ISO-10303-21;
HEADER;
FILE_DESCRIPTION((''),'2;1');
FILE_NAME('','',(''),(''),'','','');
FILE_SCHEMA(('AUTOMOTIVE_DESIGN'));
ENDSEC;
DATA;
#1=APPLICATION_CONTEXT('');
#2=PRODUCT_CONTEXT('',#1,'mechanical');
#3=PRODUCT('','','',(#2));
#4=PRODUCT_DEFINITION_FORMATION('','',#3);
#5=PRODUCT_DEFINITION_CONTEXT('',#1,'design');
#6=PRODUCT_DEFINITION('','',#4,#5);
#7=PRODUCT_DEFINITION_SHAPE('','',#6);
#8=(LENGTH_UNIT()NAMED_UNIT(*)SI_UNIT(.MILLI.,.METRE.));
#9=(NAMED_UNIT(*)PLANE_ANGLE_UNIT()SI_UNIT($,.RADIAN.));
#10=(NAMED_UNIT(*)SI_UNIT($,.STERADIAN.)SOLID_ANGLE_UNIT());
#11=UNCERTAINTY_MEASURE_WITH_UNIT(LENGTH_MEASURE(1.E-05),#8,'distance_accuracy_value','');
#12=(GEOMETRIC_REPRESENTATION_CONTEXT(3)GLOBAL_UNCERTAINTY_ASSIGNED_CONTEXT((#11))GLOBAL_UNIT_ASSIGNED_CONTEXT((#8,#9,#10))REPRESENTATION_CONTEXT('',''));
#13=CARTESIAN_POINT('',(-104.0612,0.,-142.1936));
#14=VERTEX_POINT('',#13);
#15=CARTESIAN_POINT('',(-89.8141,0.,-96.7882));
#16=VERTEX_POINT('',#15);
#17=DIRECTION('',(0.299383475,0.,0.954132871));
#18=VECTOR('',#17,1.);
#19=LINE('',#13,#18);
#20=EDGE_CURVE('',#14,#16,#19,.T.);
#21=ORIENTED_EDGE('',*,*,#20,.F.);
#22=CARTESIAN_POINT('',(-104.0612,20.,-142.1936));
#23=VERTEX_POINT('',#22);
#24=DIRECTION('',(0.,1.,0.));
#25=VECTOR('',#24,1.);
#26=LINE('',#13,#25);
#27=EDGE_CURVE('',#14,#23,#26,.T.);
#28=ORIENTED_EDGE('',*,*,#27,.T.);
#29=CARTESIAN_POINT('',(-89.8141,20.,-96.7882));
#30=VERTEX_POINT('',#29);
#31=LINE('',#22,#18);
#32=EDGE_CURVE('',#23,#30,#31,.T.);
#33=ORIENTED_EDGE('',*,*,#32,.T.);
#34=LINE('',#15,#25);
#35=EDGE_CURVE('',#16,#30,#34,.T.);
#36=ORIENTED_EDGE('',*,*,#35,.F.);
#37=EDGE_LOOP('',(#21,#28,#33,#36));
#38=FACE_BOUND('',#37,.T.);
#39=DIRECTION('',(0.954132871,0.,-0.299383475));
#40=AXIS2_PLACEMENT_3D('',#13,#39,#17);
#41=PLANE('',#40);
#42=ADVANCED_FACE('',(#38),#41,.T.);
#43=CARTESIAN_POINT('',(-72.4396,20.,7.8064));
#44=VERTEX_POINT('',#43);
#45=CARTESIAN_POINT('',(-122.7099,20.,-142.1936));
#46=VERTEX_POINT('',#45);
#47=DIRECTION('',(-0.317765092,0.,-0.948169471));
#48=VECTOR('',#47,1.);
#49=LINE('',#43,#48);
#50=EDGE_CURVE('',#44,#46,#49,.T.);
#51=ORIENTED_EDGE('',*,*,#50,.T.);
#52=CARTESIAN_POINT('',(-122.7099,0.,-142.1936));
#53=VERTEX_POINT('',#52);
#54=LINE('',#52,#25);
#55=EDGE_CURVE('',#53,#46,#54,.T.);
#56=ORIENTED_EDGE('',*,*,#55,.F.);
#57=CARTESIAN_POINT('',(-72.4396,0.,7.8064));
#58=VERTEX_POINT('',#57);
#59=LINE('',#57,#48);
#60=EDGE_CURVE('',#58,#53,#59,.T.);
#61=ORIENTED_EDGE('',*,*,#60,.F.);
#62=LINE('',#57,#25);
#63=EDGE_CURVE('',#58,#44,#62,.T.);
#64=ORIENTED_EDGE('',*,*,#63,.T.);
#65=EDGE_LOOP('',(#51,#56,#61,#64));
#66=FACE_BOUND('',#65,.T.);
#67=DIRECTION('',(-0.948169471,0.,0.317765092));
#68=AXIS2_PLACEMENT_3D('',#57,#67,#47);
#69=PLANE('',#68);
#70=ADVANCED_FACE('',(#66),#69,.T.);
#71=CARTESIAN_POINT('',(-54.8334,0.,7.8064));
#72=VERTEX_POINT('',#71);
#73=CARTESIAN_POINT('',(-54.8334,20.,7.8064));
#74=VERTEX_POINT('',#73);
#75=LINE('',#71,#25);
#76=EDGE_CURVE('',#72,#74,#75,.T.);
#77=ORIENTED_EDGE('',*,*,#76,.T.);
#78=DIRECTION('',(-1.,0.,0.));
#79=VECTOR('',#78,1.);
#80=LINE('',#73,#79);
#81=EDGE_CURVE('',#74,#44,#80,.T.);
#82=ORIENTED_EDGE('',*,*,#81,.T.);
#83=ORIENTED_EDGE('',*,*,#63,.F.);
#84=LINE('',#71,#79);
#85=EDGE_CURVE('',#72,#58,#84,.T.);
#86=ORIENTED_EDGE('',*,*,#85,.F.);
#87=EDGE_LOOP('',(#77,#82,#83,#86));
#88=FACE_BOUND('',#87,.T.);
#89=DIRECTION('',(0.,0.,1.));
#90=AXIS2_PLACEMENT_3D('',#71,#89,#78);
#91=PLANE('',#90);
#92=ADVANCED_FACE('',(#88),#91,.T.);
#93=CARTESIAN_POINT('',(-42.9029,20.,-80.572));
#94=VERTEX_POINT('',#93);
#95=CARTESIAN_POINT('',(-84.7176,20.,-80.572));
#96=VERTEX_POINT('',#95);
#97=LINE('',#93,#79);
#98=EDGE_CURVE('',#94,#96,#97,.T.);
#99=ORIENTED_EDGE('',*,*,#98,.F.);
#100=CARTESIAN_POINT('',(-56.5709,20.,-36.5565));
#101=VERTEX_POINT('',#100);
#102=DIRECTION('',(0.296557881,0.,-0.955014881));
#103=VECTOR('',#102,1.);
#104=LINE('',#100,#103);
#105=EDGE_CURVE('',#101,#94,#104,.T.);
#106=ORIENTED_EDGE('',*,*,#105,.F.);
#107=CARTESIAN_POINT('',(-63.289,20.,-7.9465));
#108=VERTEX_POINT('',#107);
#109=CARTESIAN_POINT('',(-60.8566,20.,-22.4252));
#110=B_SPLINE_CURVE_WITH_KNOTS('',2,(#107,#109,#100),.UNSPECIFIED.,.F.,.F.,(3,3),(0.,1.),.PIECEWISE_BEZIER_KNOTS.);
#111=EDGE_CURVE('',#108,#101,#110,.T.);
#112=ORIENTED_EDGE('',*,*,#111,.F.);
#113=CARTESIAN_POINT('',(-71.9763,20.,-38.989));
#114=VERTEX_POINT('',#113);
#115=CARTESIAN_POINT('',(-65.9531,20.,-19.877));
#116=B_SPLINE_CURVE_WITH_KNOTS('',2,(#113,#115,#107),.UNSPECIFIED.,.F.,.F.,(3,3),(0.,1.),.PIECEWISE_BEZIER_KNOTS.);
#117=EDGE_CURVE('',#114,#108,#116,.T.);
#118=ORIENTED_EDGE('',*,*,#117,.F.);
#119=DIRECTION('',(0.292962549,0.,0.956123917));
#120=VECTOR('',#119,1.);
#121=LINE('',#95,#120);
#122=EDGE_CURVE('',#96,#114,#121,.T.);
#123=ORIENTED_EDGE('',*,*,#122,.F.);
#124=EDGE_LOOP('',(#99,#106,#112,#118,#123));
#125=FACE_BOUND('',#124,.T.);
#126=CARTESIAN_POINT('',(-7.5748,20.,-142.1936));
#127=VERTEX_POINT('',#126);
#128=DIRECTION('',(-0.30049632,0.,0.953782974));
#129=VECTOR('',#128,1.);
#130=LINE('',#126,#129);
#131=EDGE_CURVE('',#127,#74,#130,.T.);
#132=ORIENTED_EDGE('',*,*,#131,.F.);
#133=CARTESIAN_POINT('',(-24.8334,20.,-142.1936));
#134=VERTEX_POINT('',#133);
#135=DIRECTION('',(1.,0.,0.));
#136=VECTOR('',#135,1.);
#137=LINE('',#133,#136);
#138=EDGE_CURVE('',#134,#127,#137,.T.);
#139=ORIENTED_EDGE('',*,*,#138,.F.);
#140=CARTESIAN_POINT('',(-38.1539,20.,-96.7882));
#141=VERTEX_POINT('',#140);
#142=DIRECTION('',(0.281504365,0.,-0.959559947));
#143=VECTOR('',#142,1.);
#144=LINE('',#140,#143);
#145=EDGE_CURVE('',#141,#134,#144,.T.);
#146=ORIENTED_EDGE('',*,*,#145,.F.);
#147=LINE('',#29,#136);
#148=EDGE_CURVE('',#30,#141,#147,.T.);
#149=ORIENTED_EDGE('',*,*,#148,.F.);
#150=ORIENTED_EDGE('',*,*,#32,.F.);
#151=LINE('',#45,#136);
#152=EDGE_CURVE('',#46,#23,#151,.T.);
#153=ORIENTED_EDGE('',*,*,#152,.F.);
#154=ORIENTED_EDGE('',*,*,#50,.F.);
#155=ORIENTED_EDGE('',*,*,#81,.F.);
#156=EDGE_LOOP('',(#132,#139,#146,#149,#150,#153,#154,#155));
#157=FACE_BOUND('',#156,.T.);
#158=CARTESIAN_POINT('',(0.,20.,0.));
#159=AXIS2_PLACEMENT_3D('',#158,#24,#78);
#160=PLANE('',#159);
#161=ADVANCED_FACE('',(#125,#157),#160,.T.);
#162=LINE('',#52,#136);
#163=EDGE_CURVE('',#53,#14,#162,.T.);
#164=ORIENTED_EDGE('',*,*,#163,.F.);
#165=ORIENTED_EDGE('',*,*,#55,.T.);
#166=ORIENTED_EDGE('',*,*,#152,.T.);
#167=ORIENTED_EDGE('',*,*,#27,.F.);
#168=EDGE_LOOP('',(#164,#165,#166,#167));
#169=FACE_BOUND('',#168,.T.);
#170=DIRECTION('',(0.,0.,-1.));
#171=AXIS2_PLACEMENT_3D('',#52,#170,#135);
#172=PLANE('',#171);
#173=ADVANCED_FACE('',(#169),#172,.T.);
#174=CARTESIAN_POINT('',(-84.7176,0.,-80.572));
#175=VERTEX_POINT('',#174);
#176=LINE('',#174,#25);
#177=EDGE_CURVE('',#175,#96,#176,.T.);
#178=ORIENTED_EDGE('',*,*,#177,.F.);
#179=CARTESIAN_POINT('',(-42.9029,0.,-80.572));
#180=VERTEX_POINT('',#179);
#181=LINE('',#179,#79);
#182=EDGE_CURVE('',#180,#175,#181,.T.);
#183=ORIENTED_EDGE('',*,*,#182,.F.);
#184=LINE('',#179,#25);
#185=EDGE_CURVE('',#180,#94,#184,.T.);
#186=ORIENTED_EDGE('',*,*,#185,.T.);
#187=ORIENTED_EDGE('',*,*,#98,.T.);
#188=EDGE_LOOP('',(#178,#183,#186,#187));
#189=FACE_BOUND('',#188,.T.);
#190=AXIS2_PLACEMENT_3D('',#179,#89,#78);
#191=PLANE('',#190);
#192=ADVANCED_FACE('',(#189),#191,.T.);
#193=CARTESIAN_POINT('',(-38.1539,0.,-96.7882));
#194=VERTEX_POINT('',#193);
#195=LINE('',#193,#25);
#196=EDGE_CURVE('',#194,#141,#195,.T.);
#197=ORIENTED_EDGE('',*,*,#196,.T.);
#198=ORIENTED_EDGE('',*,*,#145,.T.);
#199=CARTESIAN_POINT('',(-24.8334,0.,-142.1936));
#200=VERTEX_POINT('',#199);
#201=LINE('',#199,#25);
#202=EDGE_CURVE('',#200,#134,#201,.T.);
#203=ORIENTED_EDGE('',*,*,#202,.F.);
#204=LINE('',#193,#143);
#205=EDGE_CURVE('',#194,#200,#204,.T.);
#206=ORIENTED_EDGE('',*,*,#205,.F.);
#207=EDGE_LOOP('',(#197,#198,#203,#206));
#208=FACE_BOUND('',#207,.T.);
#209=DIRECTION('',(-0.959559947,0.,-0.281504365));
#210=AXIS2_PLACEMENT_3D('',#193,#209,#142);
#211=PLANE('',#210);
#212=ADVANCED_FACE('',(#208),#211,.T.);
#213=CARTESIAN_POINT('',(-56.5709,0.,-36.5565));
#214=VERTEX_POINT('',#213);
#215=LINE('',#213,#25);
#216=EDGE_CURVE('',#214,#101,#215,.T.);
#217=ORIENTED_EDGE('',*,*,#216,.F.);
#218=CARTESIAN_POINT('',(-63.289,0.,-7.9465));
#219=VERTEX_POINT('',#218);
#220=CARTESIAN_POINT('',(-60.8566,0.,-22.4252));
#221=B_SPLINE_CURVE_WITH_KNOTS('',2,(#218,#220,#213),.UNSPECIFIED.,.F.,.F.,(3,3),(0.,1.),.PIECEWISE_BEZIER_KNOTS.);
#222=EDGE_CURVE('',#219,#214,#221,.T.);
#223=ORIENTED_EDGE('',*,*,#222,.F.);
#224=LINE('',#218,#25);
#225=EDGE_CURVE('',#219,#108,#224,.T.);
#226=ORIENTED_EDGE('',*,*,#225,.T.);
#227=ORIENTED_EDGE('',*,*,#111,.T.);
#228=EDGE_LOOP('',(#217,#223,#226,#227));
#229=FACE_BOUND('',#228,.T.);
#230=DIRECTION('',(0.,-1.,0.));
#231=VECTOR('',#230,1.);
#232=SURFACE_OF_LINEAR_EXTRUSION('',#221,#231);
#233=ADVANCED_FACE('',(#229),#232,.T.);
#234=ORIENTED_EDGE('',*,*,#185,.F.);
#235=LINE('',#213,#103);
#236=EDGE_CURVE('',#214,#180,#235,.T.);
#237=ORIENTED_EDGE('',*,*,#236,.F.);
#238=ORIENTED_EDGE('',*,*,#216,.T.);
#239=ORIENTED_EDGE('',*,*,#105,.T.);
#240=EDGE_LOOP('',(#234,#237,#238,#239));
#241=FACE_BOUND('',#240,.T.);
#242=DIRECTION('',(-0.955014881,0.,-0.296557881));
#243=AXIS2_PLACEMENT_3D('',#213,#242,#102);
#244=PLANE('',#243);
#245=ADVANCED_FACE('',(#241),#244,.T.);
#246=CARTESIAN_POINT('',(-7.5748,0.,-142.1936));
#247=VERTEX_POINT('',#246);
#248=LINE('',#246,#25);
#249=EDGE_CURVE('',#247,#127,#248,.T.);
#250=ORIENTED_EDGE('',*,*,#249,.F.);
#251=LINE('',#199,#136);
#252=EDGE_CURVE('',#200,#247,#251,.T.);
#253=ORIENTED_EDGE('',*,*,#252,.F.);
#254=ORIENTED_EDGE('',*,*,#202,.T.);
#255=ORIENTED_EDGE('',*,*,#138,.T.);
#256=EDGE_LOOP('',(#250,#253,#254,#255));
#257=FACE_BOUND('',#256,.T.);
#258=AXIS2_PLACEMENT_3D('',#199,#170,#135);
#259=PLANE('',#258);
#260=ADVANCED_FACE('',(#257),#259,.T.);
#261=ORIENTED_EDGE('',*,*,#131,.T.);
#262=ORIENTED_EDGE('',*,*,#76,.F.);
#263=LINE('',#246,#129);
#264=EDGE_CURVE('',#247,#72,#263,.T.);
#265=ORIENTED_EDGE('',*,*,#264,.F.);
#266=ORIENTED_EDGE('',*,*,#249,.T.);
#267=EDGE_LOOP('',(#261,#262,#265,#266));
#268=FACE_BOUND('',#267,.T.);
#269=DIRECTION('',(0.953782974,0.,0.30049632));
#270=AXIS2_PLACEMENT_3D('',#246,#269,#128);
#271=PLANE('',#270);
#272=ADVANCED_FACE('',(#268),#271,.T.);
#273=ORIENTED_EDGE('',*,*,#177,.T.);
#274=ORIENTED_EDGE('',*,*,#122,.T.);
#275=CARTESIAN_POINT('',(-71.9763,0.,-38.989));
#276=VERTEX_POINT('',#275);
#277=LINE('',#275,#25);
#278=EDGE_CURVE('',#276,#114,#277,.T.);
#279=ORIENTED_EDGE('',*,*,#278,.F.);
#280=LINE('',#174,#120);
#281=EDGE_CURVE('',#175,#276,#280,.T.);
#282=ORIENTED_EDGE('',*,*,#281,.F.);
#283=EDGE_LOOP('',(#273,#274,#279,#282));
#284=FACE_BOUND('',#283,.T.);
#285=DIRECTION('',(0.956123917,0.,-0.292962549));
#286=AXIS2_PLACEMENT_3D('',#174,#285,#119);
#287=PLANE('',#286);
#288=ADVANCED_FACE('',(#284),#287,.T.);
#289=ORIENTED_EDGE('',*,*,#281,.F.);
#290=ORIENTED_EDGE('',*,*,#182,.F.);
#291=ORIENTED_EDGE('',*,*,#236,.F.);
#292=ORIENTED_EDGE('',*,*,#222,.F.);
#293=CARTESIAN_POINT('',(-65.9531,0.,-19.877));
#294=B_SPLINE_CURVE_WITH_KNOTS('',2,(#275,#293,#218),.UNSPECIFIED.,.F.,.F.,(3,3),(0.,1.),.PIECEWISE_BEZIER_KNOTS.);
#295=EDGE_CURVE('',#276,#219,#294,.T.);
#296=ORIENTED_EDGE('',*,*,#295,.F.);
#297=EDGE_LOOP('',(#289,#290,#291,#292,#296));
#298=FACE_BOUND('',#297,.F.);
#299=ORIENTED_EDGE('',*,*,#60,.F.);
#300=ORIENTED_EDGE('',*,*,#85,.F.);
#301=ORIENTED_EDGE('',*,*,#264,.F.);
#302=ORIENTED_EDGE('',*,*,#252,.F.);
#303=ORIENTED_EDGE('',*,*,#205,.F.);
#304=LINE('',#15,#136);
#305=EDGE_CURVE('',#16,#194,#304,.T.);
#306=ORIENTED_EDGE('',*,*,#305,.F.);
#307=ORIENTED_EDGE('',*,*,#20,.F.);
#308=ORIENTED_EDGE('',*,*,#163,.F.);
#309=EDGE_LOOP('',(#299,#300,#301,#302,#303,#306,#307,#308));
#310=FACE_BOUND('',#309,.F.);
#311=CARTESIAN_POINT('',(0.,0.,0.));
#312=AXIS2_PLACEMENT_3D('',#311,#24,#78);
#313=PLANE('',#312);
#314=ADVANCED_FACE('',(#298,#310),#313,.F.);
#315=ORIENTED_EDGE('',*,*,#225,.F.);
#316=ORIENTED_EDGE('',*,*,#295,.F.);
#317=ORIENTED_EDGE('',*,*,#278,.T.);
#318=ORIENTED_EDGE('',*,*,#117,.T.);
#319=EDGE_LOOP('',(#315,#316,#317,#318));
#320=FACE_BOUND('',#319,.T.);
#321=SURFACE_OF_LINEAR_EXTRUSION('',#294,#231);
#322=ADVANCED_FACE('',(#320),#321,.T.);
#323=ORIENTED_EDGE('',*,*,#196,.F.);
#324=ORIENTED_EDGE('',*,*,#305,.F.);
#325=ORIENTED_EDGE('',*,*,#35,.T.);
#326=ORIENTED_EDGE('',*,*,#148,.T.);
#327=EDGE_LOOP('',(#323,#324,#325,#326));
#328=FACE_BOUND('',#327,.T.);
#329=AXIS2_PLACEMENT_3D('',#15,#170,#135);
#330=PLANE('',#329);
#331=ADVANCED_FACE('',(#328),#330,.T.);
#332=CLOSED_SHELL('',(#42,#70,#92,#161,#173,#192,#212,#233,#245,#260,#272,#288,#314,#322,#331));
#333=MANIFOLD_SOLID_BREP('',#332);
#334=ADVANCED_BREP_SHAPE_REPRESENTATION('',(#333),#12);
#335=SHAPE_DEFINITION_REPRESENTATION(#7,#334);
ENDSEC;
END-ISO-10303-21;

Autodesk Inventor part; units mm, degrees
ref_plane "YZ Plane" through (0, 0, 0) normal (1, 0, 0) x (0, 1, 0)
ref_plane "XZ Plane" through (0, 0, 0) normal (0, 1, 0) x (-1, 0, 0)
ref_plane "XY Plane" through (0, 0, 0) normal (0, 0, 1) x (1, 0, 0)
sketch "Sketch1" plane through (0, 0, 0) normal (0, 1, 0) x (-1, 0, 0)
  line L0 (7.8064, 7.8064) -> (173.9884, 7.8064) construction
  line L1 (173.9884, 7.8064) -> (173.9884, -141.9122) construction
  line L2 (173.9884, -141.9122) -> (7.8064, -141.9122) construction
  line L3 (7.8064, -141.9122) -> (7.8064, 7.8064) construction
  line L4 (7.5748, -142.1936) -> (54.8334, 7.8064)
  line L5 (54.8334, 7.8064) -> (72.4396, 7.8064)
  line L6 (72.4396, 7.8064) -> (122.7099, -142.1936)
  line L7 (122.7099, -142.1936) -> (104.0612, -142.1936)
  line L8 (104.0612, -142.1936) -> (89.8141, -96.7882)
  line L9 (89.8141, -96.7882) -> (38.1539, -96.7882)
  line L10 (38.1539, -96.7882) -> (24.8334, -142.1936)
  line L11 (24.8334, -142.1936) -> (7.5748, -142.1936)
  line L12 (42.9029, -80.572) -> (84.7176, -80.572)
  line L13 (84.7176, -80.572) -> (71.9763, -38.989)
  spline S0 degree 2 poles (71.9763, -38.989) (65.9531, -19.877) (63.289, -7.9465) knots 0 0 0 1 1 1
  spline S1 degree 2 poles (63.289, -7.9465) (60.8566, -22.4252) (56.5709, -36.5565) knots 0 0 0 1 1 1
  line L14 (56.5709, -36.5565) -> (42.9029, -80.572)
  point P0 (0, 0)
extrude "Extrusion1" add sketch "Sketch1" along normal blind 20
properties part number "Letter_A"
